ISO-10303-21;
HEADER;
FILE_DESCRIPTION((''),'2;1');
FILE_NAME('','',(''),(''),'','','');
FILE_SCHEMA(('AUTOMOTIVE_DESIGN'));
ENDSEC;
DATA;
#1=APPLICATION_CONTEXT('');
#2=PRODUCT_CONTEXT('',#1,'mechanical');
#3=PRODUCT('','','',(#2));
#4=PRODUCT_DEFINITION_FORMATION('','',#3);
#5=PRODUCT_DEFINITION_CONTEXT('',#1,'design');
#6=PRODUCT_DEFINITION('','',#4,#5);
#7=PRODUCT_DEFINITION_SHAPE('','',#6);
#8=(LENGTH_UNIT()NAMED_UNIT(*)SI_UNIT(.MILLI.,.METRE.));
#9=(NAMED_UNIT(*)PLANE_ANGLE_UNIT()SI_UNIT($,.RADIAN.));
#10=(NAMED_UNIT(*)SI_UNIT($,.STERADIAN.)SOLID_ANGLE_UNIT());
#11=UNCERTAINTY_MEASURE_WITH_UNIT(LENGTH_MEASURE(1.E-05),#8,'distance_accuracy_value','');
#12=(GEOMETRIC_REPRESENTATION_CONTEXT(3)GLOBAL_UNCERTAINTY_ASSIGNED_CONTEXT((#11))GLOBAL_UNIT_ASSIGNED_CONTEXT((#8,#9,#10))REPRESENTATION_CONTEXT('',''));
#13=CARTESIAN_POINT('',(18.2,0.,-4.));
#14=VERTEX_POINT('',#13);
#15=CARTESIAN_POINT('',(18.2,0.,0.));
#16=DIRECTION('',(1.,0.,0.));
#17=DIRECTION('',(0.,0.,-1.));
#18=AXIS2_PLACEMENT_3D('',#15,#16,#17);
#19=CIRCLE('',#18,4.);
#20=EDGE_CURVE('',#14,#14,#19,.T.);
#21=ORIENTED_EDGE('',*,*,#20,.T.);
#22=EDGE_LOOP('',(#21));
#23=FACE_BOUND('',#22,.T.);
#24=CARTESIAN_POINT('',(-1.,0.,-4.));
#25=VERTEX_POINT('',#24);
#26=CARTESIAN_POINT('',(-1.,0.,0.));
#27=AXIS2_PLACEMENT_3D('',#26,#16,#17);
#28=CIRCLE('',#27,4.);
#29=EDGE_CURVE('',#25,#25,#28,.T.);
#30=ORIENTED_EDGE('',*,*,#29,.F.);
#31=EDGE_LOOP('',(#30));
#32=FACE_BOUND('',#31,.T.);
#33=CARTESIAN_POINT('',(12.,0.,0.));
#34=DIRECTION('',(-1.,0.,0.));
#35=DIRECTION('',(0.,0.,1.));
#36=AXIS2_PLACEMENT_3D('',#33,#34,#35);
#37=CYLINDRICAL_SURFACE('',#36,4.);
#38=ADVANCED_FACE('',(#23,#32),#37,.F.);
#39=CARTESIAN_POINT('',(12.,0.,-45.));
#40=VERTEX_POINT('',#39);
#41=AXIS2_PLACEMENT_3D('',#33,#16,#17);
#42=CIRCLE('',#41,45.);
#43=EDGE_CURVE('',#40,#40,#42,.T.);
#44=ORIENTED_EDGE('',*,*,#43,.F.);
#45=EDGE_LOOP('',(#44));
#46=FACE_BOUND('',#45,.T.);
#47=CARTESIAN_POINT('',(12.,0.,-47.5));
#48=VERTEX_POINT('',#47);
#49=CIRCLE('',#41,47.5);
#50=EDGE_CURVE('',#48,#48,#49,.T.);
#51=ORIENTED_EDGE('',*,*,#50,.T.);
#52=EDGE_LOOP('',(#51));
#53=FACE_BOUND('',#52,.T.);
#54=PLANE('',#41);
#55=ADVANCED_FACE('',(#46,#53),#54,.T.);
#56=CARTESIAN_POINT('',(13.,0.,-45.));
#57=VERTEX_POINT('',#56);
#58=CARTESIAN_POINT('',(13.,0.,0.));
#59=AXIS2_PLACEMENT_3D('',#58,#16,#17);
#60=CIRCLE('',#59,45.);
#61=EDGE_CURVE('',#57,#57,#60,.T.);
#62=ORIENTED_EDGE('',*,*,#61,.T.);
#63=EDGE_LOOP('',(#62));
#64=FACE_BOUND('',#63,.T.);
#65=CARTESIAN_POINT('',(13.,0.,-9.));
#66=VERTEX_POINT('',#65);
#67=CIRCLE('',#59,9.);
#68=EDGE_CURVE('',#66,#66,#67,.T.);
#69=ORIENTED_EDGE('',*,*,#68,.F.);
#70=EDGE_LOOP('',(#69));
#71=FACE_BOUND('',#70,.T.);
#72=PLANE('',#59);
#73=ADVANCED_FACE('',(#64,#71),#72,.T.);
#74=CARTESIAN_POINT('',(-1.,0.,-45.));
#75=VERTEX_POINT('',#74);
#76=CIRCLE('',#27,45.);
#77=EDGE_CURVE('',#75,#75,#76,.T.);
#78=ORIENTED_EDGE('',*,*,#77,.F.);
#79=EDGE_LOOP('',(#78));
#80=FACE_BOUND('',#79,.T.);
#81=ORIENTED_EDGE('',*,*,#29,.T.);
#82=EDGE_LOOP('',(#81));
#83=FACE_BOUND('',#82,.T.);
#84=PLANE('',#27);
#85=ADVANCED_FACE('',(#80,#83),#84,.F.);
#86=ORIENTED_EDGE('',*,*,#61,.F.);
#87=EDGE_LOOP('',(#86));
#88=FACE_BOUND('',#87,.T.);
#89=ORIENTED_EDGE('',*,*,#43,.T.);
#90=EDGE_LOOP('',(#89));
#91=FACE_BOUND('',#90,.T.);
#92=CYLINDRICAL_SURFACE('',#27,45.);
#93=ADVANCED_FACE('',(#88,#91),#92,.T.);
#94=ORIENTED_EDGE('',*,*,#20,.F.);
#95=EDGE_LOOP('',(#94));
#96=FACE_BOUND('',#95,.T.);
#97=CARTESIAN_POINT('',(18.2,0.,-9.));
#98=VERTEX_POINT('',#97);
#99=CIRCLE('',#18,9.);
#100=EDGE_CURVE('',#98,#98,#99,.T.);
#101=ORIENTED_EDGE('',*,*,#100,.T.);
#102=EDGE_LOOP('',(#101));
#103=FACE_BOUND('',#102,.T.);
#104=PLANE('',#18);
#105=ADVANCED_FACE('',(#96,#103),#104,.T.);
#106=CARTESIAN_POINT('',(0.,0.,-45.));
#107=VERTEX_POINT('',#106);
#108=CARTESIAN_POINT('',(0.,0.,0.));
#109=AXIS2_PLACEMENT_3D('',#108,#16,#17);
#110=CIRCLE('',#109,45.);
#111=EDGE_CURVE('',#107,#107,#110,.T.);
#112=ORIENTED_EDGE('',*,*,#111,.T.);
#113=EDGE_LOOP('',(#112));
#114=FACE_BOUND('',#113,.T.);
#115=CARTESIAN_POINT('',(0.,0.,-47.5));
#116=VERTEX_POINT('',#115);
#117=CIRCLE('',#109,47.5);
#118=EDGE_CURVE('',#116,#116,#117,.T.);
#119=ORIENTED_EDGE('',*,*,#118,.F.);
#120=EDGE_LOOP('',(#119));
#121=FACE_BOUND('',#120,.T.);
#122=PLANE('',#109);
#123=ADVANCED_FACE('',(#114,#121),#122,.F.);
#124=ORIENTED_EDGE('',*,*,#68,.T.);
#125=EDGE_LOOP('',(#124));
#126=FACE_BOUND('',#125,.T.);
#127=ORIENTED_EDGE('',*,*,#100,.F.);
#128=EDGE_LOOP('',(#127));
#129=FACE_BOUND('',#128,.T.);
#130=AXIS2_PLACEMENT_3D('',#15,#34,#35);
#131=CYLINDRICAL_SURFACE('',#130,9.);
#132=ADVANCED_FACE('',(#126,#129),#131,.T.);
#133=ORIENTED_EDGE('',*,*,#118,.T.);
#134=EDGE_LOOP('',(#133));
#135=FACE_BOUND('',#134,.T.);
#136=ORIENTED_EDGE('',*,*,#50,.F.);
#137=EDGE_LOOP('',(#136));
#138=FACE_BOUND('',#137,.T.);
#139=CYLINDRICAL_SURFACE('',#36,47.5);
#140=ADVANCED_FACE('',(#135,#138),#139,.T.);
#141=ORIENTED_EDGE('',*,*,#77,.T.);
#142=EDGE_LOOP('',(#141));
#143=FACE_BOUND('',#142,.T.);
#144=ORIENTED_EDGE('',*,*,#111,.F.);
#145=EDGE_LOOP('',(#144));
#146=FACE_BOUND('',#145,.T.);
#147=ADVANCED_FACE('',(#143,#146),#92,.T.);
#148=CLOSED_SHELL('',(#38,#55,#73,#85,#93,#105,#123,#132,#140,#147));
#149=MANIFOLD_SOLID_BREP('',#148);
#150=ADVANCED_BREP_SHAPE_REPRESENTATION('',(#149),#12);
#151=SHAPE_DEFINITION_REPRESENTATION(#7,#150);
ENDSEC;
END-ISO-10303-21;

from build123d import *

# Parameters (mm, degrees)
SKETCH_2_R           = 47.5
SKETCH_2_R_2         = 4
EXTRUDE_1_DEPTH      = 12
SKETCH_3_R           = 45
SKETCH_3_R_2         = 4
EXTRUDE_2_DEPTH      = 1
EXTRUDE_2_DEPTH_BACK = 13
SKETCH_4_R           = 9
SKETCH_4_R_2         = 4
EXTRUDE_3_DEPTH      = 5.2


with BuildPart() as part:
    # 草图2 → 凸台-拉伸1 (new body)
    with BuildSketch(Plane(origin=(0, 0, 0), x_dir=(0, 0, -1), z_dir=(1, 0, 0))):
        Circle(SKETCH_2_R)
        Circle(SKETCH_2_R_2, mode=Mode.SUBTRACT)
    extrude(amount=EXTRUDE_1_DEPTH)

    # 草图3 → 凸台-拉伸2 (add, two sides)
    with BuildSketch(Plane(origin=(12, 0, 0), x_dir=(0, 0, -1), z_dir=(1, 0, 0))) as extrude_2_sk:
        Circle(SKETCH_3_R)
        Circle(SKETCH_3_R_2, mode=Mode.SUBTRACT)
    extrude(amount=EXTRUDE_2_DEPTH)
    extrude(extrude_2_sk.sketch, amount=-EXTRUDE_2_DEPTH_BACK)

    # 草图4 → 凸台-拉伸3 (add)
    with BuildSketch(Plane(origin=(13, 0, 0), x_dir=(0, 0, -1), z_dir=(1, 0, 0))):
        Circle(SKETCH_4_R)
        Circle(SKETCH_4_R_2, mode=Mode.SUBTRACT)
    extrude(amount=EXTRUDE_3_DEPTH)


solid = part.part
